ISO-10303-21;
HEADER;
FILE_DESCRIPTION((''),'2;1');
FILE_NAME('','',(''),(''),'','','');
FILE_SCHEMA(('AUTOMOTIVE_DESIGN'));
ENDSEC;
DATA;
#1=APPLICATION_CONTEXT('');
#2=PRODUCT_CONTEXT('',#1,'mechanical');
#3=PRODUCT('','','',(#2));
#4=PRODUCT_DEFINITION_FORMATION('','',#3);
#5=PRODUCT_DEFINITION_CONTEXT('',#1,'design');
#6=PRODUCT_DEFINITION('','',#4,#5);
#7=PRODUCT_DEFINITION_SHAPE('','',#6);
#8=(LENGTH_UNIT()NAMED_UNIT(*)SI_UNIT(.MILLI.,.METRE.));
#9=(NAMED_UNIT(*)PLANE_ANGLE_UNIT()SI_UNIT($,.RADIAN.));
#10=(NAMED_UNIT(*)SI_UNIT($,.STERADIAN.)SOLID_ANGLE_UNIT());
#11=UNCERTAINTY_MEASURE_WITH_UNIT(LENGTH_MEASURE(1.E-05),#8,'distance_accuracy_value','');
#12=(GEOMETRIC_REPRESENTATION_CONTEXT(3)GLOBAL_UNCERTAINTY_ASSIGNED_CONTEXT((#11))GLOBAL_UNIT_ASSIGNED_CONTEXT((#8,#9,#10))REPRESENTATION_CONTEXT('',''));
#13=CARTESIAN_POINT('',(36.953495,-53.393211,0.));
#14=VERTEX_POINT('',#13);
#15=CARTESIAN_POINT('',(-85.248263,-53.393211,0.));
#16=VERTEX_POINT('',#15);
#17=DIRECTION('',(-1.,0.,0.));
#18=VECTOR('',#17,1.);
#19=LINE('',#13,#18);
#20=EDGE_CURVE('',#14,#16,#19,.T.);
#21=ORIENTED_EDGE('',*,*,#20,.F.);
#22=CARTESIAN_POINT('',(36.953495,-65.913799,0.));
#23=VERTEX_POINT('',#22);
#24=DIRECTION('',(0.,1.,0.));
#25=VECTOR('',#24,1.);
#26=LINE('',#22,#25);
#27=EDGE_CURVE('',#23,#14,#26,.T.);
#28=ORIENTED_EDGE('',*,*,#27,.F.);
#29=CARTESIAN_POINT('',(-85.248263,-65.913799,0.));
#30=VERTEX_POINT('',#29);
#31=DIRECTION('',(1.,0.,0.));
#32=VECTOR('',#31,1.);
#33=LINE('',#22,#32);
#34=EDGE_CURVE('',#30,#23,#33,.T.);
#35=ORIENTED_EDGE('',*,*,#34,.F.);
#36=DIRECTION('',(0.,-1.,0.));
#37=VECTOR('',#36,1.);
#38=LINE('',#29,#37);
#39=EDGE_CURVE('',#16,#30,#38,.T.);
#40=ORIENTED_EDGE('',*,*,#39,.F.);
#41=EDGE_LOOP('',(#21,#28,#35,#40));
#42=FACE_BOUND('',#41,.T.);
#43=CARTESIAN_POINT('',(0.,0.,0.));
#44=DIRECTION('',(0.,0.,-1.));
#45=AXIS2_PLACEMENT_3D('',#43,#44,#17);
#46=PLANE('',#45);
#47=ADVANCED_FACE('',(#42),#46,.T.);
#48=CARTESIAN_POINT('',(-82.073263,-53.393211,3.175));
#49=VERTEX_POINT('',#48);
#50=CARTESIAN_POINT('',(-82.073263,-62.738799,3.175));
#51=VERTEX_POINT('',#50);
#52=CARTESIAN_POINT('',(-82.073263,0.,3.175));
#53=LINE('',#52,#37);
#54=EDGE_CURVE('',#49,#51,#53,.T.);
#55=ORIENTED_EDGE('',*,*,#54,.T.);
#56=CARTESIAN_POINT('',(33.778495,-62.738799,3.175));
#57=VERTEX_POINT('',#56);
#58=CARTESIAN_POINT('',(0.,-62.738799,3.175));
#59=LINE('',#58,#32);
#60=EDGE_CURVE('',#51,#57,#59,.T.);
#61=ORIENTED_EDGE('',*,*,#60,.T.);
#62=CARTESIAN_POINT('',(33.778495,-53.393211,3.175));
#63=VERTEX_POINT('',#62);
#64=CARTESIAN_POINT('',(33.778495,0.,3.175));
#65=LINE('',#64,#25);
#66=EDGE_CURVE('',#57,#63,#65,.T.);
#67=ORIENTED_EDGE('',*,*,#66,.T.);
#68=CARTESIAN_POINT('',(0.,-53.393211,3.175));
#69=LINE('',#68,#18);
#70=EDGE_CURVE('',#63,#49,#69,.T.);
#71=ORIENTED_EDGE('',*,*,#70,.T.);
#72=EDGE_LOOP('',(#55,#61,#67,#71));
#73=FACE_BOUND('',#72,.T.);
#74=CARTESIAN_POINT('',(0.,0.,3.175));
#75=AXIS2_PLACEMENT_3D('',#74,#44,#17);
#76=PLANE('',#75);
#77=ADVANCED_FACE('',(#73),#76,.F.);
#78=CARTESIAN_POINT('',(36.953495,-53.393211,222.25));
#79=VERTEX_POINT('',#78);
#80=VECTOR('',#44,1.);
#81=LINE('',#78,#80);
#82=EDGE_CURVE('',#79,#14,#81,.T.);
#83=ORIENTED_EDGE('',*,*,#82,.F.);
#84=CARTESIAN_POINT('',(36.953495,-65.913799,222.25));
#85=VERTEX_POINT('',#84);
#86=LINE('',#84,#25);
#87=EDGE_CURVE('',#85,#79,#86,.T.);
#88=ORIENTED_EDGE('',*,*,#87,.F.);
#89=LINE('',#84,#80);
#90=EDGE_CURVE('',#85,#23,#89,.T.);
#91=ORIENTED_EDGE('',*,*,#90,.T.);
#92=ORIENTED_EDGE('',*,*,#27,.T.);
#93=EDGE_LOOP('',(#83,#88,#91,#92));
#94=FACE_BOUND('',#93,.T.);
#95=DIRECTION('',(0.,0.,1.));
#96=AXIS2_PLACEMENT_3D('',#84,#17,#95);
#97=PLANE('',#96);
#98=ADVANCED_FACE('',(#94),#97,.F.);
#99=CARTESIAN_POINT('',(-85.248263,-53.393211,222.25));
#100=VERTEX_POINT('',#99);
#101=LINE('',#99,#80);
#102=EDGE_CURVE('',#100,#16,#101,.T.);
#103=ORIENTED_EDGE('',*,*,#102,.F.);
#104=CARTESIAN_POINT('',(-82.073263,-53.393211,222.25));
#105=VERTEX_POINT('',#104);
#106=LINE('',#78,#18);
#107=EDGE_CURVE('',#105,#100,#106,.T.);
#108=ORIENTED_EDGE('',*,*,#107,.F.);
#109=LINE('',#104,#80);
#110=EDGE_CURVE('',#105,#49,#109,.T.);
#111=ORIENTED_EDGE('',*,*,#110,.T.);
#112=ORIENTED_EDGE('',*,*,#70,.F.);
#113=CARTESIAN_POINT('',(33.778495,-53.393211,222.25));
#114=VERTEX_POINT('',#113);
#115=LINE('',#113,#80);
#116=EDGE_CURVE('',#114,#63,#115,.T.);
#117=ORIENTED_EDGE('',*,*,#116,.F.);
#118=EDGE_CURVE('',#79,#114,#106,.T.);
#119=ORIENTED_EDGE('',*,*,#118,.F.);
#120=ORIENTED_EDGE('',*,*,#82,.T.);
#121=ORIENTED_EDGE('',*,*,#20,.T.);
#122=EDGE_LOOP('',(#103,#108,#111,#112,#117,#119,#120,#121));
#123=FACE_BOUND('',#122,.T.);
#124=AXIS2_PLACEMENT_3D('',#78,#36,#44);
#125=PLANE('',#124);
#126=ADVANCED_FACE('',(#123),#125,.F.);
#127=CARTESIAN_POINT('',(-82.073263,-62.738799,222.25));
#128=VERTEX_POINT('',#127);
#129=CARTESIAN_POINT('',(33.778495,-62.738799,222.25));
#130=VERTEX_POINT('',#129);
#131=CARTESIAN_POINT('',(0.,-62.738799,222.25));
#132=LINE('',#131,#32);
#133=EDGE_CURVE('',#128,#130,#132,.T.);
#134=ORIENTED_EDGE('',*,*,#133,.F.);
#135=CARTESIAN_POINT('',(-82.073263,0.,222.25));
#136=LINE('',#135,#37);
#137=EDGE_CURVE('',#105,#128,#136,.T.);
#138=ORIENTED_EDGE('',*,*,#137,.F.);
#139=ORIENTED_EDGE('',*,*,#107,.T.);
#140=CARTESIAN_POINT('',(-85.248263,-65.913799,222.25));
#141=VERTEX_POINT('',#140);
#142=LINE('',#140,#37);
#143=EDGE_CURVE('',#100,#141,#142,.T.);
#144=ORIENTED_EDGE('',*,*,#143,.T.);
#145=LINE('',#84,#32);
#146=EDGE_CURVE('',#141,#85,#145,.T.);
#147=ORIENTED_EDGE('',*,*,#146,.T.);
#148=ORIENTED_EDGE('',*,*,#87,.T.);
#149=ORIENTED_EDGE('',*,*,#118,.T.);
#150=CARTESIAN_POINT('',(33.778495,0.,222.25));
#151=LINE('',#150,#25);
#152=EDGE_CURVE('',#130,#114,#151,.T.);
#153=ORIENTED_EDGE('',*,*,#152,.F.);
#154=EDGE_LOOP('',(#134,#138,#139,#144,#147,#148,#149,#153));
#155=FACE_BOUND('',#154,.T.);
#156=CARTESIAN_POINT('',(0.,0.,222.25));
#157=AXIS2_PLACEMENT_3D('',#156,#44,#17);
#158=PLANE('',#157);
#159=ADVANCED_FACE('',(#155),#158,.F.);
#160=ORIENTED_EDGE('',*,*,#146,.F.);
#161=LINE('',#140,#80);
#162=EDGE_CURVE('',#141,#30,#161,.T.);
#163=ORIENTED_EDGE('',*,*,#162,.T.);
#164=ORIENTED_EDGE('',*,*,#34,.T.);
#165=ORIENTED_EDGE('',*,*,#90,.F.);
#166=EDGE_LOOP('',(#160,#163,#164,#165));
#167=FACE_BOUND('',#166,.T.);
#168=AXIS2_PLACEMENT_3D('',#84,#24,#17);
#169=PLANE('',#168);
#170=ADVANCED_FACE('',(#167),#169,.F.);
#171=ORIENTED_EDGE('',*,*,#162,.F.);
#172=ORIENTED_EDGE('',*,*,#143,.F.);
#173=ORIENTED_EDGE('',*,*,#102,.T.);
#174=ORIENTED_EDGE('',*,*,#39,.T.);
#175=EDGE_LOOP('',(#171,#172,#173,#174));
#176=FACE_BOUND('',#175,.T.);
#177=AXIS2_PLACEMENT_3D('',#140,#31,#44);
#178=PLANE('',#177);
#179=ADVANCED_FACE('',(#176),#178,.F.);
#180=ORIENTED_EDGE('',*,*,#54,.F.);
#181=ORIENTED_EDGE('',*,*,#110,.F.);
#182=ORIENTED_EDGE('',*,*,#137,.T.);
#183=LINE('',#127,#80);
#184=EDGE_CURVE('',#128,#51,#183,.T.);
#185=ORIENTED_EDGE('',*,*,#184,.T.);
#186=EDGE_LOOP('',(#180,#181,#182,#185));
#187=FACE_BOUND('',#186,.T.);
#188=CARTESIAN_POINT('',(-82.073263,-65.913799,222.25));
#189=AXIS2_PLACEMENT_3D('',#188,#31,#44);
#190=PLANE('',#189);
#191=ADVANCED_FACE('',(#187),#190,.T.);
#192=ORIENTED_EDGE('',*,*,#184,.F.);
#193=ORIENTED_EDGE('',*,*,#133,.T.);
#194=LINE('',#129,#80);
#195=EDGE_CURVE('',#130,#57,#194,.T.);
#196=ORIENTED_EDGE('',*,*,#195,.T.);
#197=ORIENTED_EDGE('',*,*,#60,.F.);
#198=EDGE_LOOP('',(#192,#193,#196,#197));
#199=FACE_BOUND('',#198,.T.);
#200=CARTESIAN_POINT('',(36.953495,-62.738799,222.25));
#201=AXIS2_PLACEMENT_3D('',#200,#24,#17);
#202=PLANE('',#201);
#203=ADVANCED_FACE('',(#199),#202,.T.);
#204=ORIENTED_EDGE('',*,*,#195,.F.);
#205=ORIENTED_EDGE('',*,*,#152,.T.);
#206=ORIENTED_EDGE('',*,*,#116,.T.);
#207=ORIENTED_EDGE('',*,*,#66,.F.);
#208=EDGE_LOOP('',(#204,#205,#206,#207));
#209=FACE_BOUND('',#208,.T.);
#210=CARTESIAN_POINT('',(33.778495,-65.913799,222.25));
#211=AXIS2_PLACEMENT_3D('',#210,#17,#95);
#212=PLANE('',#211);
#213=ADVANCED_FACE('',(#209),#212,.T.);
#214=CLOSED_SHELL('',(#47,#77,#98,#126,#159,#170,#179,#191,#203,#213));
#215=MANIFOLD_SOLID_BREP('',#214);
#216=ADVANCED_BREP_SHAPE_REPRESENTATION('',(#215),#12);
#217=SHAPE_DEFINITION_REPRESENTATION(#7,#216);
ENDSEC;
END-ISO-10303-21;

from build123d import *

# Parameters (mm, degrees)
SKETCH2_W           = 122.201758268
SKETCH2_H           = 12.52058784
BOSS_EXTRUDE1_DEPTH = 222.25
SHELL1_T            = -3.175


with BuildPart() as part:
    # Sketch2 → Boss-Extrude1 (new body)
    with BuildSketch(Plane.XY):
        with Locations((-24.147384347, -59.653504879)):
            Rectangle(SKETCH2_W, SKETCH2_H)
    extrude(amount=BOSS_EXTRUDE1_DEPTH)

    # Shell1
    shell1_openings = [part.faces().sort_by_distance(p)[0] for p in [
        (-24.147384347, -59.653504879, 222.25),
        (-24.147384347, -53.393210959, 111.125),
    ]]
    offset(amount=SHELL1_T, openings=shell1_openings, kind=Kind.INTERSECTION)


solid = part.part
